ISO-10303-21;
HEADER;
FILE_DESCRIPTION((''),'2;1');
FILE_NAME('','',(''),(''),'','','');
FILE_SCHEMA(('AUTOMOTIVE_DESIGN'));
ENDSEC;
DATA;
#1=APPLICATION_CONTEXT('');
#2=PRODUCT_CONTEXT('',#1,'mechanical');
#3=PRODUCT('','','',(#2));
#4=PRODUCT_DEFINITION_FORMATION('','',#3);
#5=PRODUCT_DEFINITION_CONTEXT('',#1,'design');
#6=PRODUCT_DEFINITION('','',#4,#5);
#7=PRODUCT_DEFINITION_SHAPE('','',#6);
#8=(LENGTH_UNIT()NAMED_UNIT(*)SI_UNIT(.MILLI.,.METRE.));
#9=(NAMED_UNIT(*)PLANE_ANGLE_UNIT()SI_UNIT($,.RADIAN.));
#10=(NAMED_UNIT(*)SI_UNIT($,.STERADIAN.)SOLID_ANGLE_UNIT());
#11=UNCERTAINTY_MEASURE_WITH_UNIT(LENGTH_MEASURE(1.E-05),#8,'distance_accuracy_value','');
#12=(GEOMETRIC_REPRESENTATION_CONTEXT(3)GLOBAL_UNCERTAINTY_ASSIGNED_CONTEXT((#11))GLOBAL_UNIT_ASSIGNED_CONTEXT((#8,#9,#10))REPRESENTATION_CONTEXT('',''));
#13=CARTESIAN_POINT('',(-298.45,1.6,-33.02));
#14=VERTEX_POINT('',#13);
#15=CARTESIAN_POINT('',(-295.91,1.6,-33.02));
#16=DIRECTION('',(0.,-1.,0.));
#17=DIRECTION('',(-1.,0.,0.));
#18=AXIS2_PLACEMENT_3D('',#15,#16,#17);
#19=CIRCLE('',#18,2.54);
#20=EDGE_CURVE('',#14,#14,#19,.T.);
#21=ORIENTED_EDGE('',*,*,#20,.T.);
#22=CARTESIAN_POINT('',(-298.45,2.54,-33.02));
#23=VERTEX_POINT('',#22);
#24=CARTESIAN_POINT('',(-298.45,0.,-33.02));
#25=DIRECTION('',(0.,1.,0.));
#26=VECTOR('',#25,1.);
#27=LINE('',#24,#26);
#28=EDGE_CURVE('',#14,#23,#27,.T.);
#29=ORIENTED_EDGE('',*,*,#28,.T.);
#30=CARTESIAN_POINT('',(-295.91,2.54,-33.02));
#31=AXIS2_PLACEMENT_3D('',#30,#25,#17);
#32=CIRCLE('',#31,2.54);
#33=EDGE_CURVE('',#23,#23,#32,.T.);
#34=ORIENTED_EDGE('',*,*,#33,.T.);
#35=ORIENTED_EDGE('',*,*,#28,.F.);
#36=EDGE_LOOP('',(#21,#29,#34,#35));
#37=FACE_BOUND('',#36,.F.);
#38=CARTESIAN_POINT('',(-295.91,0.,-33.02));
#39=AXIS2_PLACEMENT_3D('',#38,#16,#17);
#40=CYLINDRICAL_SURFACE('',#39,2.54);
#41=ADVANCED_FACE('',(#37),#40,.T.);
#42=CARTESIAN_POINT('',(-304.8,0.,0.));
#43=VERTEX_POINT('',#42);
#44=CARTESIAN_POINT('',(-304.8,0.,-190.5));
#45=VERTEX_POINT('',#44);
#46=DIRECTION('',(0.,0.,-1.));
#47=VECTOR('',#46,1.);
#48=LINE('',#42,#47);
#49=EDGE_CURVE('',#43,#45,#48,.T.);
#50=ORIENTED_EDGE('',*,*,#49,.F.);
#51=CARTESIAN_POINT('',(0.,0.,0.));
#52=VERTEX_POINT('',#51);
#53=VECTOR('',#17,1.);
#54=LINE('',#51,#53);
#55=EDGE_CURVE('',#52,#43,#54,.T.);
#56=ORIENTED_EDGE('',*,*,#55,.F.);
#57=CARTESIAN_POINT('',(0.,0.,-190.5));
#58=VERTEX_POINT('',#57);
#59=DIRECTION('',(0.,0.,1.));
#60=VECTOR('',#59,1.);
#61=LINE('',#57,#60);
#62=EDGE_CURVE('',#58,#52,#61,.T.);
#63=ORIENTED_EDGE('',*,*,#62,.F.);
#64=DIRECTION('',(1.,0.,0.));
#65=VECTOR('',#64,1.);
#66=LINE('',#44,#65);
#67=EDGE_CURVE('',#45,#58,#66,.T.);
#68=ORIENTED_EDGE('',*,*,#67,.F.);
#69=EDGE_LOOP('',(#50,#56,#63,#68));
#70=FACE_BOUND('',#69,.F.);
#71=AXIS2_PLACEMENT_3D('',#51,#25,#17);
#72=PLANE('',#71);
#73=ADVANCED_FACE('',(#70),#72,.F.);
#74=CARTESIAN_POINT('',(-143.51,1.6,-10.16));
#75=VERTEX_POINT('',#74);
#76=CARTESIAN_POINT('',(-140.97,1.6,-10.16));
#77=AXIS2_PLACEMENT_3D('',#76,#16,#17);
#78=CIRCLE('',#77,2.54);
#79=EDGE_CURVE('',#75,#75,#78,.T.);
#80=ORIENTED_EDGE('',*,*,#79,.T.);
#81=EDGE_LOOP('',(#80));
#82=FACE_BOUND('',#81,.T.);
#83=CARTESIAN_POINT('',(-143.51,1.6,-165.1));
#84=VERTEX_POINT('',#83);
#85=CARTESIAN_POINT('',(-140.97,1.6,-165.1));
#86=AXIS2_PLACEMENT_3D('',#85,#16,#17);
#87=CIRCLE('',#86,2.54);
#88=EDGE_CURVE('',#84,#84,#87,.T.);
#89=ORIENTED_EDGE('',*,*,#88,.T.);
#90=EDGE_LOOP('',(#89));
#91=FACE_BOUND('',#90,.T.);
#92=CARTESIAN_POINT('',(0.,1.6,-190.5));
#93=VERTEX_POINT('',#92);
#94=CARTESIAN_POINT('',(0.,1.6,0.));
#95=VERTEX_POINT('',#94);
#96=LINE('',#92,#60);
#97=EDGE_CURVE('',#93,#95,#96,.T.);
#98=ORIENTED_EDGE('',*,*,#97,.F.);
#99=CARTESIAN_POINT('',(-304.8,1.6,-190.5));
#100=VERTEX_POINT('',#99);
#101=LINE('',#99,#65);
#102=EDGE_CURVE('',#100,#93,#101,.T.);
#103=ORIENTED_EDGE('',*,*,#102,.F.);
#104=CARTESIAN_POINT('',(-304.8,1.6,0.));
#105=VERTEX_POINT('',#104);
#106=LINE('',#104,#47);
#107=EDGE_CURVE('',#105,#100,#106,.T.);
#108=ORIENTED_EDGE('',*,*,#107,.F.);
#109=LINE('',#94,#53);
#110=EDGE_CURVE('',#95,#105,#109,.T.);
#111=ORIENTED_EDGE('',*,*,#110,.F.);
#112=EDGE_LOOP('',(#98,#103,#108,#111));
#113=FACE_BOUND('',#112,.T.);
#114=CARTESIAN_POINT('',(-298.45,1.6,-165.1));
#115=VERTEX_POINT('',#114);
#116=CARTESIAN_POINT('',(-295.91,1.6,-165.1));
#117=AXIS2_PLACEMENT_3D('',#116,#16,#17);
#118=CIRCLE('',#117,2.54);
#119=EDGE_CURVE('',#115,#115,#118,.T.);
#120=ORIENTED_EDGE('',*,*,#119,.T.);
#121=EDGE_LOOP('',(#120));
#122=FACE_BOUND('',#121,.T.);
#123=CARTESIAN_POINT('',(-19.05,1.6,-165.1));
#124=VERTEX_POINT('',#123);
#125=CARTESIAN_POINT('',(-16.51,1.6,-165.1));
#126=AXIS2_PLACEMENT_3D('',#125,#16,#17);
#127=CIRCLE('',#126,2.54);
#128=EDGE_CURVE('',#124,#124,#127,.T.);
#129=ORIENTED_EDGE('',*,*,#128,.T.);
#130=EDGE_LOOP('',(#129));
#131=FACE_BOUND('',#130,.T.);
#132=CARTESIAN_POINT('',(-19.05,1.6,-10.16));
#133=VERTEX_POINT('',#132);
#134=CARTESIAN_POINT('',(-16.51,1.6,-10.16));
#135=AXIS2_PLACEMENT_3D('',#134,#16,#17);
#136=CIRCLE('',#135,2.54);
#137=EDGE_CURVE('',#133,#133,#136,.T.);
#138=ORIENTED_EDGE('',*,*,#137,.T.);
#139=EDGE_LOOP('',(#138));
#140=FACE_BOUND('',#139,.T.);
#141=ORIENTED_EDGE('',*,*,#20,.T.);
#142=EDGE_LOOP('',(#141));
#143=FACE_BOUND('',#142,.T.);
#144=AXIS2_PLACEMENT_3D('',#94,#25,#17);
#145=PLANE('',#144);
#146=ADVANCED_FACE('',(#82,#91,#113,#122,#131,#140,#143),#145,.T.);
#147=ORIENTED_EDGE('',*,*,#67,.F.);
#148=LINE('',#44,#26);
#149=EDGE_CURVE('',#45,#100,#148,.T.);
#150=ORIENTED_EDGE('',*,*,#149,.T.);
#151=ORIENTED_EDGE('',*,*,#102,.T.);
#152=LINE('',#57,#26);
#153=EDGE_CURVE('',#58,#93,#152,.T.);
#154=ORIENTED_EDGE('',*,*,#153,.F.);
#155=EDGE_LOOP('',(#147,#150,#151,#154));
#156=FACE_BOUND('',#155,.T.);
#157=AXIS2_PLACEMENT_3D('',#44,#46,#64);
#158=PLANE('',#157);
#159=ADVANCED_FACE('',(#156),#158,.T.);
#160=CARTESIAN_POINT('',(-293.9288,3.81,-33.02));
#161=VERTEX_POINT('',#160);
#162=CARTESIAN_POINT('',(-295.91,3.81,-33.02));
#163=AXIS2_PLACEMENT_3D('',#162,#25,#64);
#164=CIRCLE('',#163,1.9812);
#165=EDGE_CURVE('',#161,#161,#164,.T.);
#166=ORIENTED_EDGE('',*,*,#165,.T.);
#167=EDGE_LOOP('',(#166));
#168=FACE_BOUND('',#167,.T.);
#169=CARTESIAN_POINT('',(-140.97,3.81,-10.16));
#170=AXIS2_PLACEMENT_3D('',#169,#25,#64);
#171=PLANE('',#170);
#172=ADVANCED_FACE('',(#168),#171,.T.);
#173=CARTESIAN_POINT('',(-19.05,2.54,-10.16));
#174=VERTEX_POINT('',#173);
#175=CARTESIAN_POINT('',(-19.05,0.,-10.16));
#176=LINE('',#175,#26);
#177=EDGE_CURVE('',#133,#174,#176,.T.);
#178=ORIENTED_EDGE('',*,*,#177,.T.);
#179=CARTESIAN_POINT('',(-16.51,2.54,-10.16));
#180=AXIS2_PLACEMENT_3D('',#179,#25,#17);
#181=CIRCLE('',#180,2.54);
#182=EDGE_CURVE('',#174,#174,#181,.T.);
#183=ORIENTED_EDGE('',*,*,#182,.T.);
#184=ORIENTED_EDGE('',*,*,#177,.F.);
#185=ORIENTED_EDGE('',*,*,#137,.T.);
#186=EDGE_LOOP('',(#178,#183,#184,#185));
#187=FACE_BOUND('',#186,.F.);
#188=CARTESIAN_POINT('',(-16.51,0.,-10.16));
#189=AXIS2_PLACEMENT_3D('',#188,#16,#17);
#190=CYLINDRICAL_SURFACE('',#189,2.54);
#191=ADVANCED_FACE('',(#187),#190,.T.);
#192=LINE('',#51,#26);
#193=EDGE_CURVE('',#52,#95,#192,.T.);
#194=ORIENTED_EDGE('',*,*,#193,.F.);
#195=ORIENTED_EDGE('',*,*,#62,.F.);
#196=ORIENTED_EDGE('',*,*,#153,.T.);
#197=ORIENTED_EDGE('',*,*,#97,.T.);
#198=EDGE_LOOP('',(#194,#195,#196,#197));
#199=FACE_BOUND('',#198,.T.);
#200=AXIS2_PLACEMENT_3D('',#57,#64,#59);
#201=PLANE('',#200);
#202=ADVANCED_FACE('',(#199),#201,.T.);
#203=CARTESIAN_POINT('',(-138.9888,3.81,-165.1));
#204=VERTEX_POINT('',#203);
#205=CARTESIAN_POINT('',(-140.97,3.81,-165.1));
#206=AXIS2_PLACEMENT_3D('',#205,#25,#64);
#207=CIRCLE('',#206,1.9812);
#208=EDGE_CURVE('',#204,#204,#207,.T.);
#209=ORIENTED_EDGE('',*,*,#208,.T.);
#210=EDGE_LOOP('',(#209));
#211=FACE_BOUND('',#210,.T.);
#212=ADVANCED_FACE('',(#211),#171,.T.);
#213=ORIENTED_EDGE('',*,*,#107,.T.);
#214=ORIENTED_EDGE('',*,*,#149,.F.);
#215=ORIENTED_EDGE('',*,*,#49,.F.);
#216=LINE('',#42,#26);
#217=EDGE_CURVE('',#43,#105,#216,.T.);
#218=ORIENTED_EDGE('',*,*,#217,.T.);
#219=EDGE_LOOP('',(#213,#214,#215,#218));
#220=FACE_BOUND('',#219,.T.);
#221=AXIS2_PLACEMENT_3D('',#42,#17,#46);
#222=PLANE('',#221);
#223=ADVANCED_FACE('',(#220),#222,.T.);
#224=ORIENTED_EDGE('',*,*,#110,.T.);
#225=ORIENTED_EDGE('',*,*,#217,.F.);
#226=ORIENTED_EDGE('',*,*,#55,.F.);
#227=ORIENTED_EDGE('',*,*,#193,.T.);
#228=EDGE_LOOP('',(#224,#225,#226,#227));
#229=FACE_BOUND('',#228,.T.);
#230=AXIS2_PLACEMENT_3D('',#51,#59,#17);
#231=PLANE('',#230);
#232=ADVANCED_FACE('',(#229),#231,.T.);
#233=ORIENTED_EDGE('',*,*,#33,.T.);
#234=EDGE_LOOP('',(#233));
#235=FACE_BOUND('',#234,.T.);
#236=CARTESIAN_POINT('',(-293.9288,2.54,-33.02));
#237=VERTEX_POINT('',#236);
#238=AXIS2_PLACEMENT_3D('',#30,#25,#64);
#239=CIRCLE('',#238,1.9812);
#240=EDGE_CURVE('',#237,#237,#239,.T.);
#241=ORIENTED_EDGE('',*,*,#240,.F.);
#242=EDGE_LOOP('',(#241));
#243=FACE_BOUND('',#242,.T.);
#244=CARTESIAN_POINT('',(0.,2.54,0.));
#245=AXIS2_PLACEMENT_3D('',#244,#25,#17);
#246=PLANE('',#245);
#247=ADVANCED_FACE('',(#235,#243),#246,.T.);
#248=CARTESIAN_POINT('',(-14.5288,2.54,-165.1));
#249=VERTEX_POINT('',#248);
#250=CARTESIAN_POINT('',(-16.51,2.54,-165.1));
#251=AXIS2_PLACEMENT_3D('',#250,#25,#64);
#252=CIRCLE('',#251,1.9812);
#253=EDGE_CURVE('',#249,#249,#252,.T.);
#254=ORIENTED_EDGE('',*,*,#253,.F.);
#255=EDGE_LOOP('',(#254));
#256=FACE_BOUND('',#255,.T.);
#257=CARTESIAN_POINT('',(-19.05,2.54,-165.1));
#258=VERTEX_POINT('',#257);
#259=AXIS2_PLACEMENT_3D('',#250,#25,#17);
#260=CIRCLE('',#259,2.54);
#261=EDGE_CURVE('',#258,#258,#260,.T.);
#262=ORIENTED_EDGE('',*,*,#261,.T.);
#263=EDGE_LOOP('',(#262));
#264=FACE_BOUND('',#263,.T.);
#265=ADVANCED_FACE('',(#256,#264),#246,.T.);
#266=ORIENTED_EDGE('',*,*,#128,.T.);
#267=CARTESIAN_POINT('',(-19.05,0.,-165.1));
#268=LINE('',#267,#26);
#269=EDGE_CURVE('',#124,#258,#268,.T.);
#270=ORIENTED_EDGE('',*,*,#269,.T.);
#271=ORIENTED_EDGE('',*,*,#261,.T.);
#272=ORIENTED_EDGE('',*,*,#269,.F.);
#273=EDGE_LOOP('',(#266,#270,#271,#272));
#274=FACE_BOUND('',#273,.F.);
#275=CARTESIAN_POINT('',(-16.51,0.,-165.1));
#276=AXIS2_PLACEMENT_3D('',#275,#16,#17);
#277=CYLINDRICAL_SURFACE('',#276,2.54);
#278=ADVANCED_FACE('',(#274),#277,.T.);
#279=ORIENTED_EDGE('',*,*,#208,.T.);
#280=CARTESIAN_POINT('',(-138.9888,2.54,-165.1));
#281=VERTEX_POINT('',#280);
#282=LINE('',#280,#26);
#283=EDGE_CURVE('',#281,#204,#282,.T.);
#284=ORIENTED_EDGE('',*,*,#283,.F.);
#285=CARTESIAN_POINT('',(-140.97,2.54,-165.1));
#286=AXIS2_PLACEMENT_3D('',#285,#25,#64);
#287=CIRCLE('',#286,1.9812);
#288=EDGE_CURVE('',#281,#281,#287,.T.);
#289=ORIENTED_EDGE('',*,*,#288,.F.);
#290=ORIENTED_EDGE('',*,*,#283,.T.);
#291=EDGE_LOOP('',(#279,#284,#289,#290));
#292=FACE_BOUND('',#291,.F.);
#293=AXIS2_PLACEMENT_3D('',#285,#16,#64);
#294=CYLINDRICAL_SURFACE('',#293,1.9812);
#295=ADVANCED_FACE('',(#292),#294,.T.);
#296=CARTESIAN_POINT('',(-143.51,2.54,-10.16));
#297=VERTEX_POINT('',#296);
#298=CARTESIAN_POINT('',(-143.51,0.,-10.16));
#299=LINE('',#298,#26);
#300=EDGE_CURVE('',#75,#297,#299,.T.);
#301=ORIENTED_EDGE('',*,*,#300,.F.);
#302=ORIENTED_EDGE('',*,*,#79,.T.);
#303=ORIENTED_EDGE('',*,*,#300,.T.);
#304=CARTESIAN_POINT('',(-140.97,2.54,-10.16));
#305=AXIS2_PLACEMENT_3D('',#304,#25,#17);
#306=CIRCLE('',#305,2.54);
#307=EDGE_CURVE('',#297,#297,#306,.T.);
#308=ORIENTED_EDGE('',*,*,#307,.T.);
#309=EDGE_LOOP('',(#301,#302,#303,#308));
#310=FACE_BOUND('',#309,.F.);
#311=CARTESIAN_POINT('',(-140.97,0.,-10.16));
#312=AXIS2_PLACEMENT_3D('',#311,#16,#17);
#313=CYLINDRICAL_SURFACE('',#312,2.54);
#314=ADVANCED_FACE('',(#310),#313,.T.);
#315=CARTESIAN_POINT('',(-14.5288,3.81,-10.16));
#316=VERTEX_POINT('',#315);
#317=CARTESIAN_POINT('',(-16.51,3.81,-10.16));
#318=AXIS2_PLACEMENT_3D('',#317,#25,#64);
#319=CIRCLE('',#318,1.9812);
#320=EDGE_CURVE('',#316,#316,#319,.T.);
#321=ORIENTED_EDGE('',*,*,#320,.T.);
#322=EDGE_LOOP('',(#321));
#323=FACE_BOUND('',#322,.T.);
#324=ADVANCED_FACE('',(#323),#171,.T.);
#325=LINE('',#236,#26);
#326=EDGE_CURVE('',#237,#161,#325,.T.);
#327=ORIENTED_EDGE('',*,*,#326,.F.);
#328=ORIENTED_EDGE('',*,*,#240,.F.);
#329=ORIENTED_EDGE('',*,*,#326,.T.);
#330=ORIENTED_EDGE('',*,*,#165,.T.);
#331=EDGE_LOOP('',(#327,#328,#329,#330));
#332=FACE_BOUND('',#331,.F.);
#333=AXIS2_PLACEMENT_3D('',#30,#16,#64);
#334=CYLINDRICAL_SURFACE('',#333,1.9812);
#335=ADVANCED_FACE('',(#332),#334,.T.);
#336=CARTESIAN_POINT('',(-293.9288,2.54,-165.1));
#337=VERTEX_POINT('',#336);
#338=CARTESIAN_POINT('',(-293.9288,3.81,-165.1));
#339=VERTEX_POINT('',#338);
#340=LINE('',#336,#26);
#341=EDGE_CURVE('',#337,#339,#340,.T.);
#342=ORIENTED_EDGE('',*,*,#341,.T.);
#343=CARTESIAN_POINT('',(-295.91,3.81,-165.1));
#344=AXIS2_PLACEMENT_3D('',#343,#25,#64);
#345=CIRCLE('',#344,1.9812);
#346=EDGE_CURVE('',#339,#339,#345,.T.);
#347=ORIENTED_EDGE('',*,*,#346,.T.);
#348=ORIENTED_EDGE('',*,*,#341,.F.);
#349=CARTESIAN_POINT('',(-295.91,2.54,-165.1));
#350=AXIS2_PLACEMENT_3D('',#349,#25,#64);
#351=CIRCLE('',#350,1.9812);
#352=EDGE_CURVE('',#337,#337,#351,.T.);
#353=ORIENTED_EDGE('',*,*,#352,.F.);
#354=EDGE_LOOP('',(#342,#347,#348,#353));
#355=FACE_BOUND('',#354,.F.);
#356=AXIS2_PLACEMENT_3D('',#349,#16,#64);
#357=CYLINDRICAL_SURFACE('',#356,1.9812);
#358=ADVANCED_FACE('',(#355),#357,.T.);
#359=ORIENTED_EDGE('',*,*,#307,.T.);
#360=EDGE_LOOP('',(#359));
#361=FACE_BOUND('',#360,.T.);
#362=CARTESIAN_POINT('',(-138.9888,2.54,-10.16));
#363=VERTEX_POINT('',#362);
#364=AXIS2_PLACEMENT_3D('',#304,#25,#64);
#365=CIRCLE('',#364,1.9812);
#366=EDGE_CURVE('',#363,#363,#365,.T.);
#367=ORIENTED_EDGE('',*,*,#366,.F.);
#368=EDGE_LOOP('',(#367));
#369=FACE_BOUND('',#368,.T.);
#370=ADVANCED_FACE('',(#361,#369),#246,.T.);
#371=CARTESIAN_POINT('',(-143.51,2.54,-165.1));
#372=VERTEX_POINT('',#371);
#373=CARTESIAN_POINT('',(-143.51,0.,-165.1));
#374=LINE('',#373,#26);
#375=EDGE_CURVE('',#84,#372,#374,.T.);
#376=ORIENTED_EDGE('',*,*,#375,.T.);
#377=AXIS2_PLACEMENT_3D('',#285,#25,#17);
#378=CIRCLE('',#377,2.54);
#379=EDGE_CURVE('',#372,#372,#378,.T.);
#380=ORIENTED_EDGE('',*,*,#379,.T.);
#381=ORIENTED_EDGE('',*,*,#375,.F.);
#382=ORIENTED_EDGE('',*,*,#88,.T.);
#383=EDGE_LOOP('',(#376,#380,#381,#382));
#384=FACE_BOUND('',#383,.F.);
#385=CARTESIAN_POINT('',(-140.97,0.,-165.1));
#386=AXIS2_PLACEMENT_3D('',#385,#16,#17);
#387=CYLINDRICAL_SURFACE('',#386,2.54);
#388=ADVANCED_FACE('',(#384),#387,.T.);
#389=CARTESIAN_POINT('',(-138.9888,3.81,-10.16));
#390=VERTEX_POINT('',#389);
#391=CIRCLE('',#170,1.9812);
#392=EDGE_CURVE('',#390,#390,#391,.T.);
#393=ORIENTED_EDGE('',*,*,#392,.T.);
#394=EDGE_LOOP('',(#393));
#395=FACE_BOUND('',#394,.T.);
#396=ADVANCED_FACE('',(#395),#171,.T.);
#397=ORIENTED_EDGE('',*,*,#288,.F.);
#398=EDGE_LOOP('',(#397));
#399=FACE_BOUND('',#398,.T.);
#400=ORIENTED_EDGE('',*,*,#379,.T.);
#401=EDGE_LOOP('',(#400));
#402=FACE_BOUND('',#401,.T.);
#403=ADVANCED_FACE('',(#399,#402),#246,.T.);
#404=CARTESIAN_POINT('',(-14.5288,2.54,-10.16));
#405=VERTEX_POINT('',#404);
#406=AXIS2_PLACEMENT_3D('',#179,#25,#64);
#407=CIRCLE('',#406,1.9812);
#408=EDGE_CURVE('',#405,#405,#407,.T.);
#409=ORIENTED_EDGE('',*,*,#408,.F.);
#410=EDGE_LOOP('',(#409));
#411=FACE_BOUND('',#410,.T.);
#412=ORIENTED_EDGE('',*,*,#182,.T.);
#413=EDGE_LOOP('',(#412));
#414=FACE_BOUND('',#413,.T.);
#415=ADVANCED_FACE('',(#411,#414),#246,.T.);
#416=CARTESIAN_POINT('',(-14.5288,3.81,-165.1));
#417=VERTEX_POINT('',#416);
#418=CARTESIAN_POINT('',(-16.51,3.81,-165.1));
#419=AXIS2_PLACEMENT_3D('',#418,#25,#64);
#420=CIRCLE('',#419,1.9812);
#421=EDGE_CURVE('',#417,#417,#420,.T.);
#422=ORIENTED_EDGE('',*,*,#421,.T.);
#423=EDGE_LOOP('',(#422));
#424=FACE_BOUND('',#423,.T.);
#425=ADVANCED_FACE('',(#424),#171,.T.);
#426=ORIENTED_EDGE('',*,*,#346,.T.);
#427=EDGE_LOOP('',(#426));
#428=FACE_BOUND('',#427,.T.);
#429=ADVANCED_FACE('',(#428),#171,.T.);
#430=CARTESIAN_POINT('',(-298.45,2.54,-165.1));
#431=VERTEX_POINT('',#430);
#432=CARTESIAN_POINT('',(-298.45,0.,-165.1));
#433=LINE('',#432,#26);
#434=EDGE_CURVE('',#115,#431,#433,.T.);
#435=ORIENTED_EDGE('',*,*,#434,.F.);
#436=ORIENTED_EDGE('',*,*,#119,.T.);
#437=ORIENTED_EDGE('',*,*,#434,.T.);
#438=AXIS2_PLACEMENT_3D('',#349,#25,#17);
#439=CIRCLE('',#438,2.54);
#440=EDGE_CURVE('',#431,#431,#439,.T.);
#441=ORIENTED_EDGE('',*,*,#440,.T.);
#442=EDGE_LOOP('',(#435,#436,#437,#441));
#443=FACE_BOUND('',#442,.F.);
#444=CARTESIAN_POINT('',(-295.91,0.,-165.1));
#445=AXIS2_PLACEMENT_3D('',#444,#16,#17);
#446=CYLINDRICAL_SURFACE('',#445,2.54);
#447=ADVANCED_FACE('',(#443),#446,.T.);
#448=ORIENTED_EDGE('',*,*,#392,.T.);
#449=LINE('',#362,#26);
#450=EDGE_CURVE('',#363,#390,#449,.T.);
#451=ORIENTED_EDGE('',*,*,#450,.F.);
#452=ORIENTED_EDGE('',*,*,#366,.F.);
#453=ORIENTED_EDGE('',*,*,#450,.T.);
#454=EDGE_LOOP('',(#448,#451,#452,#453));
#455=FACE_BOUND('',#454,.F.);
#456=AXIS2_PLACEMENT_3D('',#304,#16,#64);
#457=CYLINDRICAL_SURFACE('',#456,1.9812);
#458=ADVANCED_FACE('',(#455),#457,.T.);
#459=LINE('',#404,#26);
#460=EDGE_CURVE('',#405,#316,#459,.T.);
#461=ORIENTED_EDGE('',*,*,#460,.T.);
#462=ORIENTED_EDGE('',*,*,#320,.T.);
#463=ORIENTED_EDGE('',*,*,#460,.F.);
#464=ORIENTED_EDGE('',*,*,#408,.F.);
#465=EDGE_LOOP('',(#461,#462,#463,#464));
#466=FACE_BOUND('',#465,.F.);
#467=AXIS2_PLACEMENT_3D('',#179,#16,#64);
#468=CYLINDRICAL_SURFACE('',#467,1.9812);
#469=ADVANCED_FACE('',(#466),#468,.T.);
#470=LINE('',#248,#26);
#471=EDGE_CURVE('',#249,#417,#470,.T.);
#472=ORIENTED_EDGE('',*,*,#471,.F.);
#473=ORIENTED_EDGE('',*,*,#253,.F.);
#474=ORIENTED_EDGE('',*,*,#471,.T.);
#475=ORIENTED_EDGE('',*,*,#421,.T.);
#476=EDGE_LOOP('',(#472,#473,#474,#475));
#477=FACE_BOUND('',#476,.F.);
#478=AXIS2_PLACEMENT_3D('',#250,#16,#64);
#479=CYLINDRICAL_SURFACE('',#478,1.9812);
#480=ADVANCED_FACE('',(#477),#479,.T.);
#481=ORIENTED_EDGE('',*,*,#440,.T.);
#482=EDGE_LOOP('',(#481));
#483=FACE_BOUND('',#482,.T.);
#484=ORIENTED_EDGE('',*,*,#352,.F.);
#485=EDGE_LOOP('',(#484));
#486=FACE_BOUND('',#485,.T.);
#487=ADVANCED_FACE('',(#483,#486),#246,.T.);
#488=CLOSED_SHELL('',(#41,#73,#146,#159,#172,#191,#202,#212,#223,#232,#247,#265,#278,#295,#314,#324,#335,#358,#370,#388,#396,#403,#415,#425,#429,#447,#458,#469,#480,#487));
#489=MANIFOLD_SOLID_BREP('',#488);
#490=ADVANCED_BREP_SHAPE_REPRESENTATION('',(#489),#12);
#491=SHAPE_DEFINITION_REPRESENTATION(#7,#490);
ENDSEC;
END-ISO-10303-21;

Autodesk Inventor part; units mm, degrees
ref_plane "YZ Plane" through (0, 0, 0) normal (1, 0, 0) x (0, 1, 0)
ref_plane "XZ Plane" through (0, 0, 0) normal (0, 1, 0) x (-1, 0, 0)
ref_plane "XY Plane" through (0, 0, 0) normal (0, 0, 1) x (1, 0, 0)
sketch "Sketch1" plane through (0, 0, 0) normal (0, 1, 0) x (-1, 0, 0)
  line L0 (0, 0) -> (304.8, 0)
  line L1 (304.8, 0) -> (304.8, -190.5)
  line L2 (304.8, -190.5) -> (0, -190.5)
  line L3 (0, -190.5) -> (0, 0)
  dimension "d0" = 304.8
  dimension "d1" = 190.5
extrude "Extrusion1" add sketch "Sketch1" along normal blind 1.6
sketch "Sketch2" plane through (0, 1.6, 0) normal (0, 1, 0) x (1, 0, 0)
  line L0 (-304.8, 0) -> (0, 0)
  line L1 (-140.97, 0) -> (-140.97, 10.16)
  line L2 (-140.97, 0) -> (-130.81, 0) construction
  line L3 (-140.97, 10.16) -> (-140.97, 33.02)
  line L4 (-140.97, 33.02) -> (-255.8376, 33.02)
  line L5 (-140.97, 10.16) -> (-95.25, 10.16)
  line L6 (-95.25, 10.16) -> (-16.51, 10.16)
  line L7 (-16.51, 10.16) -> (-16.51, 165.1)
  line L8 (-140.97, 10.16) -> (-140.97, 165.1)
  line L9 (0, 0) -> (0, 190.5)
  line L10 (-16.51, 165.1) -> (-295.91, 165.1)
  line L11 (-295.91, 165.1) -> (-295.91, 33.02)
  line L12 (-295.91, 33.02) -> (-255.8376, 33.02)
  circle A0 centre (-295.91, 33.02) radius 2.54
  circle A1 centre (-295.91, 165.1) radius 2.54
  circle A2 centre (-140.97, 165.1) radius 2.54
  circle A3 centre (-16.51, 165.1) radius 2.54
  circle A4 centre (-16.51, 10.16) radius 2.54
  circle A5 centre (-140.97, 10.16) radius 2.54
  point P0 (-299.72, 0)
  point P1 (-5.08, 0)
  point P2 (0, 5.08)
  point P3 (0, 185.42)
  dimension "d5" = 10.16
  dimension "d6" = 90
  dimension "d8" = 78.74
  dimension "d9" = 45.72
  dimension "d10" = 22.86
  dimension "d11" = 154.94
  dimension "d12" = 154.94
  dimension "d13" = 16.51
  dimension "d14" = 279.4
  dimension "d15" = 5.08
  dimension "d16" = 5.08
  dimension "d17" = 5.08
  dimension "d18" = 5.08
  dimension "d19" = 5.08
  dimension "d20" = 5.08
extrude "Extrusion2" cut sketch "Sketch2" against normal through all contours A5 L3 L1 | L1 L5 A5 | L3 A5 L5 | A2 L10 L8 | L8 L10 A2 | A4 L7 L6 | L6 L7 A4 | A0 L11 L12 | L12 L11 A0 | L10 A2 | A1 L11 L10 | L10 L11 A1 | A3 L7 L10 | L10 L7 A3
sketch "Sketch3" plane through (0, 0, 0) normal (0, 1, 0) x (-1, 0, 0)
  circle A0 centre (16.51, -165.1) radius 2.54
  circle A1 centre (16.51, -165.1) radius 2.3813
  circle A2 centre (16.51, -10.16) radius 2.54
  circle A3 centre (16.51, -10.16) radius 2.3813
  circle A4 centre (140.97, -10.16) radius 2.54
  circle A5 centre (140.97, -10.16) radius 2.3813
  circle A6 centre (295.91, -33.02) radius 2.54
  circle A7 centre (295.91, -33.02) radius 2.3813
  circle A8 centre (295.91, -165.1) radius 2.54
  circle A9 centre (295.91, -165.1) radius 2.3813
  circle A10 centre (140.97, -165.1) radius 2.54
  circle A11 centre (140.97, -165.1) radius 2.3813
  point P0 (0, 0)
extrude "Extrusion3" add sketch "Sketch3" along normal blind 2.54 contours A0 | A1 | A2 | A3 | A4 | A5 | A6 | A7 | A8 | A9 | A10 | A11
sketch "Sketch4" plane through (-140.97, 2.54, -10.16) normal (0, 1, 0) x (1, 0, 0)
  circle A0 centre (0, 0) radius 1.9812
  circle A1 centre (-154.94, 22.86) radius 2.54
  circle A2 centre (-154.94, 22.86) radius 1.9812
  circle A3 centre (0, 154.94) radius 2.54
  circle A4 centre (0, 154.94) radius 1.9812
  circle A5 centre (124.46, 154.94) radius 2.54
  circle A6 centre (124.46, 154.94) radius 1.9812
  circle A7 centre (-154.94, 154.94) radius 2.54
  circle A8 centre (-154.94, 154.94) radius 1.9812
  circle A9 centre (124.46, 0) radius 2.54
  circle A10 centre (124.46, 0) radius 1.9812
  point P0 (140.97, -10.16)
  dimension "d25" = 3.9624
  dimension "d26" = 3.9624
  dimension "d27" = 3.9624
  dimension "d28" = 3.9624
  dimension "d29" = 3.9624
extrude "Extrusion4" add sketch "Sketch4" along normal blind 1.27 contours A0 | A2 | A4 | A6 | A8 | A10
equation "\"d12\" = d11"
equation "\"d16\" = d15"
equation "\"d17\" = d15"
equation "\"d18\" = d15"
equation "\"d19\" = d15"
equation "\"d20\" = d15"
properties part number "MotherboardPlate"
